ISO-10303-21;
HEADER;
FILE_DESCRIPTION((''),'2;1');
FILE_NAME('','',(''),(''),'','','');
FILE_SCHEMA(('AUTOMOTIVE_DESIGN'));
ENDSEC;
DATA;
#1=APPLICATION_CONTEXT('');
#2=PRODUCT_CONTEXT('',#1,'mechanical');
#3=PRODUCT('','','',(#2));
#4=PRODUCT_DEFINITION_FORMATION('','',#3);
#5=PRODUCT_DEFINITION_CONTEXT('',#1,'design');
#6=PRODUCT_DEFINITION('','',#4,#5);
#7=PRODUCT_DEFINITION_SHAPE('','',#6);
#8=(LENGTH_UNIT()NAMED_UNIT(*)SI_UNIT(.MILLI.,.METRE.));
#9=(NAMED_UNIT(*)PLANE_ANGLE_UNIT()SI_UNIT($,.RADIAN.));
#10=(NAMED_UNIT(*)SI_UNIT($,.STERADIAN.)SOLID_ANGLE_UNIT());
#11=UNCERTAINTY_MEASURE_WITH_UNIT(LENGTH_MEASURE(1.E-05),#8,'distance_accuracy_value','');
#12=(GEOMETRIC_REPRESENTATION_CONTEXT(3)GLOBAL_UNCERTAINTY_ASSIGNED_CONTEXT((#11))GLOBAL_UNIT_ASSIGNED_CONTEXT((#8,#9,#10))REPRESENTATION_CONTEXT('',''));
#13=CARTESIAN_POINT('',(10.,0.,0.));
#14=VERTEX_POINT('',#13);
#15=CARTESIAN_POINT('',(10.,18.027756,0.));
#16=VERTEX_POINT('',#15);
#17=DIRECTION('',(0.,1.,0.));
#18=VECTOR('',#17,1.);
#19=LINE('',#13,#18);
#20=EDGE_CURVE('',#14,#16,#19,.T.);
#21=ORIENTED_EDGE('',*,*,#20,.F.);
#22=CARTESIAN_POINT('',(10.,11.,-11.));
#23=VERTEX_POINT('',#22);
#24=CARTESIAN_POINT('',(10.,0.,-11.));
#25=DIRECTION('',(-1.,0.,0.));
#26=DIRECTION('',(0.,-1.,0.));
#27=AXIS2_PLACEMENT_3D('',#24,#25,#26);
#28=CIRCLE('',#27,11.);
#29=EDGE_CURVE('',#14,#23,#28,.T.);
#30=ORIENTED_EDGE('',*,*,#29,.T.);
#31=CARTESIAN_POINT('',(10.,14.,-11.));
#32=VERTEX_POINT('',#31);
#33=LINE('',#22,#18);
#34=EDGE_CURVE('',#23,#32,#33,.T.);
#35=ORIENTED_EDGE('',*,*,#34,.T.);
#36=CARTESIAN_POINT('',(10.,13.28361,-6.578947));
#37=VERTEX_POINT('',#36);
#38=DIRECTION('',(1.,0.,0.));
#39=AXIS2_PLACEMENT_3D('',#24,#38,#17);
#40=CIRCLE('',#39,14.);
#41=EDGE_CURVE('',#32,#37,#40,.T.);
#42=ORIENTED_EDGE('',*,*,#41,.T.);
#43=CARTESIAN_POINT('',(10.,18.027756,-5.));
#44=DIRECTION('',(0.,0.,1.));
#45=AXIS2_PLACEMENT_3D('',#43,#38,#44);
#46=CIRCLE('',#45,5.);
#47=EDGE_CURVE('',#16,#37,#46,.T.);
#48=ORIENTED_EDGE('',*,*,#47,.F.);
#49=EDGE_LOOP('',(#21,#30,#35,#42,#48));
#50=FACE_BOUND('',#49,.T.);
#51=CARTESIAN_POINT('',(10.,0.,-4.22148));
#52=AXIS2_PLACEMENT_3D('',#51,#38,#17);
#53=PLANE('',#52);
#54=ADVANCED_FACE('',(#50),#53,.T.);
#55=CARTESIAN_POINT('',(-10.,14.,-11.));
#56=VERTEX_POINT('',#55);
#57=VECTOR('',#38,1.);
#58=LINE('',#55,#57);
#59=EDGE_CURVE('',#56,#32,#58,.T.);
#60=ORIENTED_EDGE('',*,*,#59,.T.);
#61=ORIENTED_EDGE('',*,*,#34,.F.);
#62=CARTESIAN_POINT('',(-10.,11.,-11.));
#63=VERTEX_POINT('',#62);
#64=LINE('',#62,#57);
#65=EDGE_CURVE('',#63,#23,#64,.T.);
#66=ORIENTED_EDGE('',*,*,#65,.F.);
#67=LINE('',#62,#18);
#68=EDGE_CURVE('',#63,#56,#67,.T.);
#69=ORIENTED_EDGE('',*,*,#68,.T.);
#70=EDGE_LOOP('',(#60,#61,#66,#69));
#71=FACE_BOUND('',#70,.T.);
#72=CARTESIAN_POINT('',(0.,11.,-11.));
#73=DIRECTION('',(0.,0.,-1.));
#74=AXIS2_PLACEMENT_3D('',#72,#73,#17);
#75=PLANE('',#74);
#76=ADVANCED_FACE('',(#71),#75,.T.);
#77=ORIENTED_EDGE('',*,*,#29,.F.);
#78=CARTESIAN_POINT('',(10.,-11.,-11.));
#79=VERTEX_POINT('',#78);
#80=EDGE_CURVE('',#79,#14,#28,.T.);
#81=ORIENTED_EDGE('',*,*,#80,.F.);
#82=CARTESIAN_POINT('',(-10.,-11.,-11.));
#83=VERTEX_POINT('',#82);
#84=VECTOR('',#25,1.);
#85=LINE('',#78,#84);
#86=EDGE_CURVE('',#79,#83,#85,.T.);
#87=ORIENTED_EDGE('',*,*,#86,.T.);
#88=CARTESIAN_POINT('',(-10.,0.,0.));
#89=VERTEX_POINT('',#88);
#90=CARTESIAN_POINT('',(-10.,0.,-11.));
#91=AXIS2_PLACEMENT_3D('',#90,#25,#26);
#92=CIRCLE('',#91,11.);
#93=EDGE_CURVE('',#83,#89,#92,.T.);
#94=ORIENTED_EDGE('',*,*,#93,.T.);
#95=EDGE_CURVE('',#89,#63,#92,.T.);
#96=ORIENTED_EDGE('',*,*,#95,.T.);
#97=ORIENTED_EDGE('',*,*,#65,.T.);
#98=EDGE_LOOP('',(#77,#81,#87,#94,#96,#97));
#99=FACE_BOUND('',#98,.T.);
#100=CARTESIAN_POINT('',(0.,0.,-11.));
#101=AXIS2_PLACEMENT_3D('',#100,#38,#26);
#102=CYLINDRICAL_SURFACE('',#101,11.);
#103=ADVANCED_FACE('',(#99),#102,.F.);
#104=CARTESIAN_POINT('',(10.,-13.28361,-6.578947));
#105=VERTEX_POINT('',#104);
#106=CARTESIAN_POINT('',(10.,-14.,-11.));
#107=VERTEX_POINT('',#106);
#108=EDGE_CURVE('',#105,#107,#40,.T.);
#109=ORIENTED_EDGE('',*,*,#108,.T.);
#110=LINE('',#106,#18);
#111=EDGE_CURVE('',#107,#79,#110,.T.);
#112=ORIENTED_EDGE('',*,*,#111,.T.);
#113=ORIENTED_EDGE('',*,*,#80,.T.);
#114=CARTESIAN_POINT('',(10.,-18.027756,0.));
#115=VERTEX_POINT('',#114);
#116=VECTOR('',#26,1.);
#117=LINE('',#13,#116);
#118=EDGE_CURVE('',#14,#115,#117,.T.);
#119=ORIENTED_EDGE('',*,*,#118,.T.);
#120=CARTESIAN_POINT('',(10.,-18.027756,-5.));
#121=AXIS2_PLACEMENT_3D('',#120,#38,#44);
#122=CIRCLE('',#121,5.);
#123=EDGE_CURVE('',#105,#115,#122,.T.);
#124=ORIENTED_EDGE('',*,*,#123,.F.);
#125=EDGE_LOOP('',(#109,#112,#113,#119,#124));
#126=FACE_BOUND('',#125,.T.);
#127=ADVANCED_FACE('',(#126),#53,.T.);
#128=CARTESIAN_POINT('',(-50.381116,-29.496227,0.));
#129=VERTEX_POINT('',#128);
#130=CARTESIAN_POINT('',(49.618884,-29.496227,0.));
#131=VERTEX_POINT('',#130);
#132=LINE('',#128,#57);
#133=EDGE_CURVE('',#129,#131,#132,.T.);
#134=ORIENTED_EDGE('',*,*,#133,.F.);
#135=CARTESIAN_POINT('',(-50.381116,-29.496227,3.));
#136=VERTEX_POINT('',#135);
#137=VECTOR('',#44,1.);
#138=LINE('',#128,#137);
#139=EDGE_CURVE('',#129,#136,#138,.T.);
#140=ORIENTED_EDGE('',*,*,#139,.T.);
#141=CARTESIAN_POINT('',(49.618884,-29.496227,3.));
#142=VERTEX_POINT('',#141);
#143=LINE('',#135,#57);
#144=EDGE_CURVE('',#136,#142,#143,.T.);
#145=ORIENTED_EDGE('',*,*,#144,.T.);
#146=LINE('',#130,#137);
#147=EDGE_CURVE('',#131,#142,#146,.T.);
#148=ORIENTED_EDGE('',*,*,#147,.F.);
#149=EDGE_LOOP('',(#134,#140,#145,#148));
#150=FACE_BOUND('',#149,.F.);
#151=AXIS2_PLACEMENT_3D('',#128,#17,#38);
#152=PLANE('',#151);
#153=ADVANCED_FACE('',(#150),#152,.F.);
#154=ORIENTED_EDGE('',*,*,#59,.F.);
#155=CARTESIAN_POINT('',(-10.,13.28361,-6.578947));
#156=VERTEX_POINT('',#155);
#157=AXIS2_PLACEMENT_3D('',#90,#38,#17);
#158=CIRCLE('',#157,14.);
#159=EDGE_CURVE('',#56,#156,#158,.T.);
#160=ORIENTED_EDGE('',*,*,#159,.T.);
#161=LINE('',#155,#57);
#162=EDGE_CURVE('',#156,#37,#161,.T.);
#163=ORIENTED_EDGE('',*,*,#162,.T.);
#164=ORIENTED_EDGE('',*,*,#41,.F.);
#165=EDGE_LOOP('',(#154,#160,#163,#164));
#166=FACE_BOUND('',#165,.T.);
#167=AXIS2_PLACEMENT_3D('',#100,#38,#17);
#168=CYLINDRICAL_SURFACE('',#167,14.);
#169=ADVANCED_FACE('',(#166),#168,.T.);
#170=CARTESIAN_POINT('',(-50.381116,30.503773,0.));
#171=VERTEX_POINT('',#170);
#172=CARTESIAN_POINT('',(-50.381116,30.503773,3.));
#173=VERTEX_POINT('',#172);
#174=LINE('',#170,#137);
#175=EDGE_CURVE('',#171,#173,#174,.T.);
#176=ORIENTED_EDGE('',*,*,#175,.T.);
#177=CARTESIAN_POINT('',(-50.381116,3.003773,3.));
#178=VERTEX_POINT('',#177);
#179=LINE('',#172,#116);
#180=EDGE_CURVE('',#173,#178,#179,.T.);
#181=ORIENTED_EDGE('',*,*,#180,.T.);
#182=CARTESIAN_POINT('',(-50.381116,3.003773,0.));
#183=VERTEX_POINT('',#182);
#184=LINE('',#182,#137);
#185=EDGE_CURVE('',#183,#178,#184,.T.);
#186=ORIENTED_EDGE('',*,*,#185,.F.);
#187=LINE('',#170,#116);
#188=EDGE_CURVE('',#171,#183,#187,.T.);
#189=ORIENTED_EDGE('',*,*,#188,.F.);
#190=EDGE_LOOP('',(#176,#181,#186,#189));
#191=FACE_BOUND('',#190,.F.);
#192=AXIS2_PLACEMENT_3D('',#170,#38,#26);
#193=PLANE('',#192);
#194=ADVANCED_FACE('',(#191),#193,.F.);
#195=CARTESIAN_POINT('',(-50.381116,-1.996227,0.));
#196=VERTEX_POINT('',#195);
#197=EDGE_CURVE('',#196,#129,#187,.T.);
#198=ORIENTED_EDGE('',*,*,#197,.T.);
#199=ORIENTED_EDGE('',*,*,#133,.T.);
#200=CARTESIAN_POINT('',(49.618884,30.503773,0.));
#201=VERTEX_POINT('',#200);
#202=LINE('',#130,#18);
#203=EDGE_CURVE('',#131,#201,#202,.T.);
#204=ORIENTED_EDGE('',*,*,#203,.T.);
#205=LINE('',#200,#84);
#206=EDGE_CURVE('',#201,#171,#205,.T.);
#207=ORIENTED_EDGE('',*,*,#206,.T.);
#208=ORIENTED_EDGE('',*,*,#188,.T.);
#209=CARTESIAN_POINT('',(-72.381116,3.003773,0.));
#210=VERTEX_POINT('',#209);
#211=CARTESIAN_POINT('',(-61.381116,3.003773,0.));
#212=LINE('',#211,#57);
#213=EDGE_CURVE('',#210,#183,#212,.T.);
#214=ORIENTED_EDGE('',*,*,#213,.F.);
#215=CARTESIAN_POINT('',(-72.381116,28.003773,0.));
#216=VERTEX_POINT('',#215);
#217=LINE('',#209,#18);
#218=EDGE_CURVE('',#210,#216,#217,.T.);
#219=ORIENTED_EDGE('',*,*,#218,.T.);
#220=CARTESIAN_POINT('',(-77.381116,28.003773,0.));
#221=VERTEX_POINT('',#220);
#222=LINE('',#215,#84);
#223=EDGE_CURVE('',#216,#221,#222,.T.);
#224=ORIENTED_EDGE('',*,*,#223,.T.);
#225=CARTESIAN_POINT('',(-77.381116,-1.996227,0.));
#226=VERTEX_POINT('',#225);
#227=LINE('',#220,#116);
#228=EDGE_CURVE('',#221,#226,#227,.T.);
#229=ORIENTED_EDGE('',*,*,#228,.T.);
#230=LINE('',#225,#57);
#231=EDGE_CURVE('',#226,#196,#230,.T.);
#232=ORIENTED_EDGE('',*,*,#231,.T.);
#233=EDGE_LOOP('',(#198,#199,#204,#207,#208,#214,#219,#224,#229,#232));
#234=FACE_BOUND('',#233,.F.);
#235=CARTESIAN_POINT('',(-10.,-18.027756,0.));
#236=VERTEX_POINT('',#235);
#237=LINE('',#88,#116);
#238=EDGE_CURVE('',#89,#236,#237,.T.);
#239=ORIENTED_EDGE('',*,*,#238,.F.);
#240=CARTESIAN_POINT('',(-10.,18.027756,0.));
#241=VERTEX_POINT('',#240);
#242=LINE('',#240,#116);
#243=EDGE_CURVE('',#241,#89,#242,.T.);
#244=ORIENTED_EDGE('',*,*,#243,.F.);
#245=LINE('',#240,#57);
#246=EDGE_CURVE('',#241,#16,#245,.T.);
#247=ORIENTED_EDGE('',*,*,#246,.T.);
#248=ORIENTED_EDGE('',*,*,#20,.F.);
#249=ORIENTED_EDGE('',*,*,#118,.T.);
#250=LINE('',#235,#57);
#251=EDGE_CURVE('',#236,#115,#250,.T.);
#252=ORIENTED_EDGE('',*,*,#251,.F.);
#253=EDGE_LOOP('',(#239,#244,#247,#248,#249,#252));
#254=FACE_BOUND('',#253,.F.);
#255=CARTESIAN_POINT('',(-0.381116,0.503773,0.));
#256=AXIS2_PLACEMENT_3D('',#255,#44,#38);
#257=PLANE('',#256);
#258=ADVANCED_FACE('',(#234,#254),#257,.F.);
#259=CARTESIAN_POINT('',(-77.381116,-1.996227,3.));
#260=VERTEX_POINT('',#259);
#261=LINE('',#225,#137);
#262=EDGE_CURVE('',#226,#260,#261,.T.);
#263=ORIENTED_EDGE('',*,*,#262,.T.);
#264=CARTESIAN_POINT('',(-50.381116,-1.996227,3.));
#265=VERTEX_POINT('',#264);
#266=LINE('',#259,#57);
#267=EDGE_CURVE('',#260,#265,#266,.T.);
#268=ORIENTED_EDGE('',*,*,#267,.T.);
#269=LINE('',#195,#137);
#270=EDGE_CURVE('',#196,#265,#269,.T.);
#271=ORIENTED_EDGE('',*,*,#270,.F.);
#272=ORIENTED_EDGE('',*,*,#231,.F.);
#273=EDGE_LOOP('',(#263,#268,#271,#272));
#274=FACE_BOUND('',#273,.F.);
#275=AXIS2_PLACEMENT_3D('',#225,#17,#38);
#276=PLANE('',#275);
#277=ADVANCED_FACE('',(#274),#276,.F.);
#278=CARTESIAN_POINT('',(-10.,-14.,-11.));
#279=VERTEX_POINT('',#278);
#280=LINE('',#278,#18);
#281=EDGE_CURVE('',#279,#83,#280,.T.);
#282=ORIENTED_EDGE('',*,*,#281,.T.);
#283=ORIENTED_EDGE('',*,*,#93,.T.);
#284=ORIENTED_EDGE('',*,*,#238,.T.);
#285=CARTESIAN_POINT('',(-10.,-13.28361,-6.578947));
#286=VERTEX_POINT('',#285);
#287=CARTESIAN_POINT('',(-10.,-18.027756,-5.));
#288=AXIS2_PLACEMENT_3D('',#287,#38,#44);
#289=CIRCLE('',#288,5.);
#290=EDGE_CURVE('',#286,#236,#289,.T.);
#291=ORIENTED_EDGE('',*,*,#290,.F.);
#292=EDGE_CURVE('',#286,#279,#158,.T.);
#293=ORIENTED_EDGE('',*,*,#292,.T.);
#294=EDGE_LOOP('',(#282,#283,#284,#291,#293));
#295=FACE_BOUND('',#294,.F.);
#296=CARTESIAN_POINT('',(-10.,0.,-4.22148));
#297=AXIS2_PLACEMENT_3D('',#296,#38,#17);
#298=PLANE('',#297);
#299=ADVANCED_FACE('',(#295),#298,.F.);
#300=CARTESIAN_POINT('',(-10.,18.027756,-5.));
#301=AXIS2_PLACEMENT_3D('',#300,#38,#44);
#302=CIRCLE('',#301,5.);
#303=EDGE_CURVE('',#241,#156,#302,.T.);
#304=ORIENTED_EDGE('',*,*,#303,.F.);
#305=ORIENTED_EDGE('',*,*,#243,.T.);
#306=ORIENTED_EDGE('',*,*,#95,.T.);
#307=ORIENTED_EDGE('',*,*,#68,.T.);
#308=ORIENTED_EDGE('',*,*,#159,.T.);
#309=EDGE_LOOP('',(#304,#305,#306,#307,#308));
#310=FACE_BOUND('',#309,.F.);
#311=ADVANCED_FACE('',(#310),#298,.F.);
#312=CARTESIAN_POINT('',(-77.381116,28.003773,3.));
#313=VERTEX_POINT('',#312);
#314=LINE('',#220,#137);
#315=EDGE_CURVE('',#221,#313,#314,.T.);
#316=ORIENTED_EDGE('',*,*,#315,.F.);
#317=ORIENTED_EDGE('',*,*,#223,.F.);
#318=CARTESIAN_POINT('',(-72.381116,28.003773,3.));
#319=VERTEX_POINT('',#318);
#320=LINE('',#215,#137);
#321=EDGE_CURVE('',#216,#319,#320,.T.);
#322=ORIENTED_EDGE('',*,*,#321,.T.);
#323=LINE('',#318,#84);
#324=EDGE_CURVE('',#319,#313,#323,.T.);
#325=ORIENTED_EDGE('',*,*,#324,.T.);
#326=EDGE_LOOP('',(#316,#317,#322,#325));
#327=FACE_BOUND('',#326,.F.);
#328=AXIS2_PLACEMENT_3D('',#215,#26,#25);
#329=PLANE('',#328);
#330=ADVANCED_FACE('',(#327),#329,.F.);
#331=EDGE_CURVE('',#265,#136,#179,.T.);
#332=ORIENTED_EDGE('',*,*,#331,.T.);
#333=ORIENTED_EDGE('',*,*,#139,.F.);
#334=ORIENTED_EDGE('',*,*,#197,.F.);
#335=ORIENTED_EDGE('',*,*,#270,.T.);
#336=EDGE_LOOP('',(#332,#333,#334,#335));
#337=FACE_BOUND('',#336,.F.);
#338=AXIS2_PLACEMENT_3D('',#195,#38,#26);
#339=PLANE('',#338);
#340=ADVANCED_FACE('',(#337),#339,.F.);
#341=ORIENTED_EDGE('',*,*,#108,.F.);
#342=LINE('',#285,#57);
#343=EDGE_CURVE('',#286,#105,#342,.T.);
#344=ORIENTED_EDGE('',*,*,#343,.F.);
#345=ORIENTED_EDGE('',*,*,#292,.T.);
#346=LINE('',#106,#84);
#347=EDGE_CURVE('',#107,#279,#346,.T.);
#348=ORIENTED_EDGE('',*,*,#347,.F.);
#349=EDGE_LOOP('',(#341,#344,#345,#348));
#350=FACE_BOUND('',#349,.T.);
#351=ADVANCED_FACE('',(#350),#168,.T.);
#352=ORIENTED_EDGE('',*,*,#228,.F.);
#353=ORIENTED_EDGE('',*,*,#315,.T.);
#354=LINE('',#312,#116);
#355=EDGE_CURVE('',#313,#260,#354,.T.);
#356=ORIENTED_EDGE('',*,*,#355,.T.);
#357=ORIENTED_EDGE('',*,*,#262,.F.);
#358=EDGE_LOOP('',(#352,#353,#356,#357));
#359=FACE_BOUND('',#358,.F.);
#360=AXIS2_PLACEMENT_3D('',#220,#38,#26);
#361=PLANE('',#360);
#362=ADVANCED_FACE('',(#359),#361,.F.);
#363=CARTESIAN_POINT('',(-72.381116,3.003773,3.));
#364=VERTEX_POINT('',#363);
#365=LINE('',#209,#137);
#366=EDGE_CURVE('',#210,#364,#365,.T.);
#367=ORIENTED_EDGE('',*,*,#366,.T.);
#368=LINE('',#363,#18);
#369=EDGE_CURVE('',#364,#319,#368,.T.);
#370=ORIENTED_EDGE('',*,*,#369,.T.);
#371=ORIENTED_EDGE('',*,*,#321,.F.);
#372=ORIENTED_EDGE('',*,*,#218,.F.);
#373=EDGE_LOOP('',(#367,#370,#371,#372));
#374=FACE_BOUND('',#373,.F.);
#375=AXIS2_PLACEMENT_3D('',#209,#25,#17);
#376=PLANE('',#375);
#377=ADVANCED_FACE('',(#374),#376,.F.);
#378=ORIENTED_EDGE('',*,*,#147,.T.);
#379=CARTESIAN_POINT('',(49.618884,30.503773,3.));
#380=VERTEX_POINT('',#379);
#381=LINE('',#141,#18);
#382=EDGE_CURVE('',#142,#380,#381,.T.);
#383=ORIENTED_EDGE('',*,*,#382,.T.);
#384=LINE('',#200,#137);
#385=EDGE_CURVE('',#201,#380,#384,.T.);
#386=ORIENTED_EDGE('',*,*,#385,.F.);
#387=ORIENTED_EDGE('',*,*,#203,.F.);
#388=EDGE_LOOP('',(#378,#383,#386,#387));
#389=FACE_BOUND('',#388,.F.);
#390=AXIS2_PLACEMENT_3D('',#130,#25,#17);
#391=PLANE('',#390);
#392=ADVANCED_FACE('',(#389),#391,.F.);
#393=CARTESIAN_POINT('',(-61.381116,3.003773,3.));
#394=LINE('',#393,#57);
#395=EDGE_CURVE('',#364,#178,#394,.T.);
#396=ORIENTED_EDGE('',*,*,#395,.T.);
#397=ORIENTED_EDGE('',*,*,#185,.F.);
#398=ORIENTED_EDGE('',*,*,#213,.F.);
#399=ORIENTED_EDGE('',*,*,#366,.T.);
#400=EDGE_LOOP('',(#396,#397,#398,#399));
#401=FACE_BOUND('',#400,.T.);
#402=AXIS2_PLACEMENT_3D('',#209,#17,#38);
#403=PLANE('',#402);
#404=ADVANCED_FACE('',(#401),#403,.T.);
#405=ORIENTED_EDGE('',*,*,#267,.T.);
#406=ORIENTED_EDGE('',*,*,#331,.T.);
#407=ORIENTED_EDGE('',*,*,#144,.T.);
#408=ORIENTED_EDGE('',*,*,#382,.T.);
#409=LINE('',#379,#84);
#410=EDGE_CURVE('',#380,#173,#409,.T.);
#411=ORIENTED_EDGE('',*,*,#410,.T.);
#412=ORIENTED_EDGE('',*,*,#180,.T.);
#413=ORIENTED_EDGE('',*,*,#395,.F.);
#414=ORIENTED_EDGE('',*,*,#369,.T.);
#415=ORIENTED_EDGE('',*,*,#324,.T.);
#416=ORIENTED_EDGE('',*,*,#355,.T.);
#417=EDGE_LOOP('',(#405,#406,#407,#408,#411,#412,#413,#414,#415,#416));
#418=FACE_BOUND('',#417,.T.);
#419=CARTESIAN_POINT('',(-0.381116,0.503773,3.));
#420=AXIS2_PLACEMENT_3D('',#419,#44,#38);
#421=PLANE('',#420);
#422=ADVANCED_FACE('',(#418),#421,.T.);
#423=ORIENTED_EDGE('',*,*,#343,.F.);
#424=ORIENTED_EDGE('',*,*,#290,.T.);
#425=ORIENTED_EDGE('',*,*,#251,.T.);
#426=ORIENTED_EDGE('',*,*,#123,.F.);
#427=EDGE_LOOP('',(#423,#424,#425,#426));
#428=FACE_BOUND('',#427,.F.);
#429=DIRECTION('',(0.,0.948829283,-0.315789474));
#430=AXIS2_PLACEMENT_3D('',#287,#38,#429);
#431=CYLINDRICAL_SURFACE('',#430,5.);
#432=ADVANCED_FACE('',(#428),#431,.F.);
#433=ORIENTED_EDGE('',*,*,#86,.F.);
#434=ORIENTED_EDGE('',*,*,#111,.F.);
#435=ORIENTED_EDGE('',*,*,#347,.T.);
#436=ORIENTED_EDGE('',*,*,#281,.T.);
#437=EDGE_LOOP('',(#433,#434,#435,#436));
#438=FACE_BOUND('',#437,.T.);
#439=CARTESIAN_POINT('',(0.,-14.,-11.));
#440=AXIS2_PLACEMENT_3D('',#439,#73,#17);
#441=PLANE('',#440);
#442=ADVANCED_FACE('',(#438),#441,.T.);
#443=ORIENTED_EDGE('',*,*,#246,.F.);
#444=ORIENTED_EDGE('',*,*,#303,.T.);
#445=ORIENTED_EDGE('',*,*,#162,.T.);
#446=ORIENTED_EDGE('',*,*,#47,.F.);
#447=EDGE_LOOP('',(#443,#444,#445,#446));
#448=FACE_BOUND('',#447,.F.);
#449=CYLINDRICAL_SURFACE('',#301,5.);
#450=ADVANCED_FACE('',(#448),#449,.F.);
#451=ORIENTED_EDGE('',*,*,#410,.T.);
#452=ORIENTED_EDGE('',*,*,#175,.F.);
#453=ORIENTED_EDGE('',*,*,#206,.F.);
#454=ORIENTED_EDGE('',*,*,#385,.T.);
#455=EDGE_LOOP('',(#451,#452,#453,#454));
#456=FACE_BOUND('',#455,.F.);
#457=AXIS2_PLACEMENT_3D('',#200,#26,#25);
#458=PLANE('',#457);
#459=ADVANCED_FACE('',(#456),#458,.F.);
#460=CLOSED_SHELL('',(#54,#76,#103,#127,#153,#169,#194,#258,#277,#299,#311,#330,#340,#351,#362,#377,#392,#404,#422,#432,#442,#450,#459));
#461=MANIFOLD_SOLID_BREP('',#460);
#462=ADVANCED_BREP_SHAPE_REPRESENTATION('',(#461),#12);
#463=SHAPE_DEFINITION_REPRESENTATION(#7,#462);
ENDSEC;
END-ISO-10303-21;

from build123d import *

# Parameters (mm, degrees)
F0_W     = 22
F0_H     = 5
F1_DEPTH = 3
F3_DEPTH = 10
F4_R     = 5


with BuildPart() as f1:
    # F0 (on Top) → F1 (new body)
    with BuildSketch(Plane.XY):
        Polygon((49.618883726, 30.5037726198), (-50.381116274, 30.5037726198), (-50.381116274, 3.0037726198), (-50.381116274, -1.9962273802), (-50.381116274, -29.4962273802), (49.618883726, -29.4962273802), align=None)
        with Locations((-61.381116274, 0.5037726198)):
            Rectangle(F0_W, F0_H)
        Polygon((-72.381116274, -1.9962273802), (-72.381116274, 3.0037726198), (-72.381116274, 28.0037726198), (-77.381116274, 28.0037726198), (-77.381116274, -1.9962273802), align=None)
    extrude(amount=F1_DEPTH)

    # F2 (on Right) → F3 (join, symmetric)
    with BuildSketch(Plane.YZ):
        with BuildLine():
            ThreePointArc((-11, -11), (0, 0), (11, -11))
            Line((11, -11), (14, -11))
            ThreePointArc((14, -11), (0, 3), (-14, -11))
            Line((-14, -11), (-11, -11))
        make_face()
    extrude(amount=F3_DEPTH, both=True)

    # F4
    f4_edges = [f1.edges().sort_by_distance(p)[0] for p in [
        (0, -8.660254, 0),
        (0, 8.660254, 0),
    ]]
    fillet(f4_edges, radius=F4_R)


solid = f1.part
